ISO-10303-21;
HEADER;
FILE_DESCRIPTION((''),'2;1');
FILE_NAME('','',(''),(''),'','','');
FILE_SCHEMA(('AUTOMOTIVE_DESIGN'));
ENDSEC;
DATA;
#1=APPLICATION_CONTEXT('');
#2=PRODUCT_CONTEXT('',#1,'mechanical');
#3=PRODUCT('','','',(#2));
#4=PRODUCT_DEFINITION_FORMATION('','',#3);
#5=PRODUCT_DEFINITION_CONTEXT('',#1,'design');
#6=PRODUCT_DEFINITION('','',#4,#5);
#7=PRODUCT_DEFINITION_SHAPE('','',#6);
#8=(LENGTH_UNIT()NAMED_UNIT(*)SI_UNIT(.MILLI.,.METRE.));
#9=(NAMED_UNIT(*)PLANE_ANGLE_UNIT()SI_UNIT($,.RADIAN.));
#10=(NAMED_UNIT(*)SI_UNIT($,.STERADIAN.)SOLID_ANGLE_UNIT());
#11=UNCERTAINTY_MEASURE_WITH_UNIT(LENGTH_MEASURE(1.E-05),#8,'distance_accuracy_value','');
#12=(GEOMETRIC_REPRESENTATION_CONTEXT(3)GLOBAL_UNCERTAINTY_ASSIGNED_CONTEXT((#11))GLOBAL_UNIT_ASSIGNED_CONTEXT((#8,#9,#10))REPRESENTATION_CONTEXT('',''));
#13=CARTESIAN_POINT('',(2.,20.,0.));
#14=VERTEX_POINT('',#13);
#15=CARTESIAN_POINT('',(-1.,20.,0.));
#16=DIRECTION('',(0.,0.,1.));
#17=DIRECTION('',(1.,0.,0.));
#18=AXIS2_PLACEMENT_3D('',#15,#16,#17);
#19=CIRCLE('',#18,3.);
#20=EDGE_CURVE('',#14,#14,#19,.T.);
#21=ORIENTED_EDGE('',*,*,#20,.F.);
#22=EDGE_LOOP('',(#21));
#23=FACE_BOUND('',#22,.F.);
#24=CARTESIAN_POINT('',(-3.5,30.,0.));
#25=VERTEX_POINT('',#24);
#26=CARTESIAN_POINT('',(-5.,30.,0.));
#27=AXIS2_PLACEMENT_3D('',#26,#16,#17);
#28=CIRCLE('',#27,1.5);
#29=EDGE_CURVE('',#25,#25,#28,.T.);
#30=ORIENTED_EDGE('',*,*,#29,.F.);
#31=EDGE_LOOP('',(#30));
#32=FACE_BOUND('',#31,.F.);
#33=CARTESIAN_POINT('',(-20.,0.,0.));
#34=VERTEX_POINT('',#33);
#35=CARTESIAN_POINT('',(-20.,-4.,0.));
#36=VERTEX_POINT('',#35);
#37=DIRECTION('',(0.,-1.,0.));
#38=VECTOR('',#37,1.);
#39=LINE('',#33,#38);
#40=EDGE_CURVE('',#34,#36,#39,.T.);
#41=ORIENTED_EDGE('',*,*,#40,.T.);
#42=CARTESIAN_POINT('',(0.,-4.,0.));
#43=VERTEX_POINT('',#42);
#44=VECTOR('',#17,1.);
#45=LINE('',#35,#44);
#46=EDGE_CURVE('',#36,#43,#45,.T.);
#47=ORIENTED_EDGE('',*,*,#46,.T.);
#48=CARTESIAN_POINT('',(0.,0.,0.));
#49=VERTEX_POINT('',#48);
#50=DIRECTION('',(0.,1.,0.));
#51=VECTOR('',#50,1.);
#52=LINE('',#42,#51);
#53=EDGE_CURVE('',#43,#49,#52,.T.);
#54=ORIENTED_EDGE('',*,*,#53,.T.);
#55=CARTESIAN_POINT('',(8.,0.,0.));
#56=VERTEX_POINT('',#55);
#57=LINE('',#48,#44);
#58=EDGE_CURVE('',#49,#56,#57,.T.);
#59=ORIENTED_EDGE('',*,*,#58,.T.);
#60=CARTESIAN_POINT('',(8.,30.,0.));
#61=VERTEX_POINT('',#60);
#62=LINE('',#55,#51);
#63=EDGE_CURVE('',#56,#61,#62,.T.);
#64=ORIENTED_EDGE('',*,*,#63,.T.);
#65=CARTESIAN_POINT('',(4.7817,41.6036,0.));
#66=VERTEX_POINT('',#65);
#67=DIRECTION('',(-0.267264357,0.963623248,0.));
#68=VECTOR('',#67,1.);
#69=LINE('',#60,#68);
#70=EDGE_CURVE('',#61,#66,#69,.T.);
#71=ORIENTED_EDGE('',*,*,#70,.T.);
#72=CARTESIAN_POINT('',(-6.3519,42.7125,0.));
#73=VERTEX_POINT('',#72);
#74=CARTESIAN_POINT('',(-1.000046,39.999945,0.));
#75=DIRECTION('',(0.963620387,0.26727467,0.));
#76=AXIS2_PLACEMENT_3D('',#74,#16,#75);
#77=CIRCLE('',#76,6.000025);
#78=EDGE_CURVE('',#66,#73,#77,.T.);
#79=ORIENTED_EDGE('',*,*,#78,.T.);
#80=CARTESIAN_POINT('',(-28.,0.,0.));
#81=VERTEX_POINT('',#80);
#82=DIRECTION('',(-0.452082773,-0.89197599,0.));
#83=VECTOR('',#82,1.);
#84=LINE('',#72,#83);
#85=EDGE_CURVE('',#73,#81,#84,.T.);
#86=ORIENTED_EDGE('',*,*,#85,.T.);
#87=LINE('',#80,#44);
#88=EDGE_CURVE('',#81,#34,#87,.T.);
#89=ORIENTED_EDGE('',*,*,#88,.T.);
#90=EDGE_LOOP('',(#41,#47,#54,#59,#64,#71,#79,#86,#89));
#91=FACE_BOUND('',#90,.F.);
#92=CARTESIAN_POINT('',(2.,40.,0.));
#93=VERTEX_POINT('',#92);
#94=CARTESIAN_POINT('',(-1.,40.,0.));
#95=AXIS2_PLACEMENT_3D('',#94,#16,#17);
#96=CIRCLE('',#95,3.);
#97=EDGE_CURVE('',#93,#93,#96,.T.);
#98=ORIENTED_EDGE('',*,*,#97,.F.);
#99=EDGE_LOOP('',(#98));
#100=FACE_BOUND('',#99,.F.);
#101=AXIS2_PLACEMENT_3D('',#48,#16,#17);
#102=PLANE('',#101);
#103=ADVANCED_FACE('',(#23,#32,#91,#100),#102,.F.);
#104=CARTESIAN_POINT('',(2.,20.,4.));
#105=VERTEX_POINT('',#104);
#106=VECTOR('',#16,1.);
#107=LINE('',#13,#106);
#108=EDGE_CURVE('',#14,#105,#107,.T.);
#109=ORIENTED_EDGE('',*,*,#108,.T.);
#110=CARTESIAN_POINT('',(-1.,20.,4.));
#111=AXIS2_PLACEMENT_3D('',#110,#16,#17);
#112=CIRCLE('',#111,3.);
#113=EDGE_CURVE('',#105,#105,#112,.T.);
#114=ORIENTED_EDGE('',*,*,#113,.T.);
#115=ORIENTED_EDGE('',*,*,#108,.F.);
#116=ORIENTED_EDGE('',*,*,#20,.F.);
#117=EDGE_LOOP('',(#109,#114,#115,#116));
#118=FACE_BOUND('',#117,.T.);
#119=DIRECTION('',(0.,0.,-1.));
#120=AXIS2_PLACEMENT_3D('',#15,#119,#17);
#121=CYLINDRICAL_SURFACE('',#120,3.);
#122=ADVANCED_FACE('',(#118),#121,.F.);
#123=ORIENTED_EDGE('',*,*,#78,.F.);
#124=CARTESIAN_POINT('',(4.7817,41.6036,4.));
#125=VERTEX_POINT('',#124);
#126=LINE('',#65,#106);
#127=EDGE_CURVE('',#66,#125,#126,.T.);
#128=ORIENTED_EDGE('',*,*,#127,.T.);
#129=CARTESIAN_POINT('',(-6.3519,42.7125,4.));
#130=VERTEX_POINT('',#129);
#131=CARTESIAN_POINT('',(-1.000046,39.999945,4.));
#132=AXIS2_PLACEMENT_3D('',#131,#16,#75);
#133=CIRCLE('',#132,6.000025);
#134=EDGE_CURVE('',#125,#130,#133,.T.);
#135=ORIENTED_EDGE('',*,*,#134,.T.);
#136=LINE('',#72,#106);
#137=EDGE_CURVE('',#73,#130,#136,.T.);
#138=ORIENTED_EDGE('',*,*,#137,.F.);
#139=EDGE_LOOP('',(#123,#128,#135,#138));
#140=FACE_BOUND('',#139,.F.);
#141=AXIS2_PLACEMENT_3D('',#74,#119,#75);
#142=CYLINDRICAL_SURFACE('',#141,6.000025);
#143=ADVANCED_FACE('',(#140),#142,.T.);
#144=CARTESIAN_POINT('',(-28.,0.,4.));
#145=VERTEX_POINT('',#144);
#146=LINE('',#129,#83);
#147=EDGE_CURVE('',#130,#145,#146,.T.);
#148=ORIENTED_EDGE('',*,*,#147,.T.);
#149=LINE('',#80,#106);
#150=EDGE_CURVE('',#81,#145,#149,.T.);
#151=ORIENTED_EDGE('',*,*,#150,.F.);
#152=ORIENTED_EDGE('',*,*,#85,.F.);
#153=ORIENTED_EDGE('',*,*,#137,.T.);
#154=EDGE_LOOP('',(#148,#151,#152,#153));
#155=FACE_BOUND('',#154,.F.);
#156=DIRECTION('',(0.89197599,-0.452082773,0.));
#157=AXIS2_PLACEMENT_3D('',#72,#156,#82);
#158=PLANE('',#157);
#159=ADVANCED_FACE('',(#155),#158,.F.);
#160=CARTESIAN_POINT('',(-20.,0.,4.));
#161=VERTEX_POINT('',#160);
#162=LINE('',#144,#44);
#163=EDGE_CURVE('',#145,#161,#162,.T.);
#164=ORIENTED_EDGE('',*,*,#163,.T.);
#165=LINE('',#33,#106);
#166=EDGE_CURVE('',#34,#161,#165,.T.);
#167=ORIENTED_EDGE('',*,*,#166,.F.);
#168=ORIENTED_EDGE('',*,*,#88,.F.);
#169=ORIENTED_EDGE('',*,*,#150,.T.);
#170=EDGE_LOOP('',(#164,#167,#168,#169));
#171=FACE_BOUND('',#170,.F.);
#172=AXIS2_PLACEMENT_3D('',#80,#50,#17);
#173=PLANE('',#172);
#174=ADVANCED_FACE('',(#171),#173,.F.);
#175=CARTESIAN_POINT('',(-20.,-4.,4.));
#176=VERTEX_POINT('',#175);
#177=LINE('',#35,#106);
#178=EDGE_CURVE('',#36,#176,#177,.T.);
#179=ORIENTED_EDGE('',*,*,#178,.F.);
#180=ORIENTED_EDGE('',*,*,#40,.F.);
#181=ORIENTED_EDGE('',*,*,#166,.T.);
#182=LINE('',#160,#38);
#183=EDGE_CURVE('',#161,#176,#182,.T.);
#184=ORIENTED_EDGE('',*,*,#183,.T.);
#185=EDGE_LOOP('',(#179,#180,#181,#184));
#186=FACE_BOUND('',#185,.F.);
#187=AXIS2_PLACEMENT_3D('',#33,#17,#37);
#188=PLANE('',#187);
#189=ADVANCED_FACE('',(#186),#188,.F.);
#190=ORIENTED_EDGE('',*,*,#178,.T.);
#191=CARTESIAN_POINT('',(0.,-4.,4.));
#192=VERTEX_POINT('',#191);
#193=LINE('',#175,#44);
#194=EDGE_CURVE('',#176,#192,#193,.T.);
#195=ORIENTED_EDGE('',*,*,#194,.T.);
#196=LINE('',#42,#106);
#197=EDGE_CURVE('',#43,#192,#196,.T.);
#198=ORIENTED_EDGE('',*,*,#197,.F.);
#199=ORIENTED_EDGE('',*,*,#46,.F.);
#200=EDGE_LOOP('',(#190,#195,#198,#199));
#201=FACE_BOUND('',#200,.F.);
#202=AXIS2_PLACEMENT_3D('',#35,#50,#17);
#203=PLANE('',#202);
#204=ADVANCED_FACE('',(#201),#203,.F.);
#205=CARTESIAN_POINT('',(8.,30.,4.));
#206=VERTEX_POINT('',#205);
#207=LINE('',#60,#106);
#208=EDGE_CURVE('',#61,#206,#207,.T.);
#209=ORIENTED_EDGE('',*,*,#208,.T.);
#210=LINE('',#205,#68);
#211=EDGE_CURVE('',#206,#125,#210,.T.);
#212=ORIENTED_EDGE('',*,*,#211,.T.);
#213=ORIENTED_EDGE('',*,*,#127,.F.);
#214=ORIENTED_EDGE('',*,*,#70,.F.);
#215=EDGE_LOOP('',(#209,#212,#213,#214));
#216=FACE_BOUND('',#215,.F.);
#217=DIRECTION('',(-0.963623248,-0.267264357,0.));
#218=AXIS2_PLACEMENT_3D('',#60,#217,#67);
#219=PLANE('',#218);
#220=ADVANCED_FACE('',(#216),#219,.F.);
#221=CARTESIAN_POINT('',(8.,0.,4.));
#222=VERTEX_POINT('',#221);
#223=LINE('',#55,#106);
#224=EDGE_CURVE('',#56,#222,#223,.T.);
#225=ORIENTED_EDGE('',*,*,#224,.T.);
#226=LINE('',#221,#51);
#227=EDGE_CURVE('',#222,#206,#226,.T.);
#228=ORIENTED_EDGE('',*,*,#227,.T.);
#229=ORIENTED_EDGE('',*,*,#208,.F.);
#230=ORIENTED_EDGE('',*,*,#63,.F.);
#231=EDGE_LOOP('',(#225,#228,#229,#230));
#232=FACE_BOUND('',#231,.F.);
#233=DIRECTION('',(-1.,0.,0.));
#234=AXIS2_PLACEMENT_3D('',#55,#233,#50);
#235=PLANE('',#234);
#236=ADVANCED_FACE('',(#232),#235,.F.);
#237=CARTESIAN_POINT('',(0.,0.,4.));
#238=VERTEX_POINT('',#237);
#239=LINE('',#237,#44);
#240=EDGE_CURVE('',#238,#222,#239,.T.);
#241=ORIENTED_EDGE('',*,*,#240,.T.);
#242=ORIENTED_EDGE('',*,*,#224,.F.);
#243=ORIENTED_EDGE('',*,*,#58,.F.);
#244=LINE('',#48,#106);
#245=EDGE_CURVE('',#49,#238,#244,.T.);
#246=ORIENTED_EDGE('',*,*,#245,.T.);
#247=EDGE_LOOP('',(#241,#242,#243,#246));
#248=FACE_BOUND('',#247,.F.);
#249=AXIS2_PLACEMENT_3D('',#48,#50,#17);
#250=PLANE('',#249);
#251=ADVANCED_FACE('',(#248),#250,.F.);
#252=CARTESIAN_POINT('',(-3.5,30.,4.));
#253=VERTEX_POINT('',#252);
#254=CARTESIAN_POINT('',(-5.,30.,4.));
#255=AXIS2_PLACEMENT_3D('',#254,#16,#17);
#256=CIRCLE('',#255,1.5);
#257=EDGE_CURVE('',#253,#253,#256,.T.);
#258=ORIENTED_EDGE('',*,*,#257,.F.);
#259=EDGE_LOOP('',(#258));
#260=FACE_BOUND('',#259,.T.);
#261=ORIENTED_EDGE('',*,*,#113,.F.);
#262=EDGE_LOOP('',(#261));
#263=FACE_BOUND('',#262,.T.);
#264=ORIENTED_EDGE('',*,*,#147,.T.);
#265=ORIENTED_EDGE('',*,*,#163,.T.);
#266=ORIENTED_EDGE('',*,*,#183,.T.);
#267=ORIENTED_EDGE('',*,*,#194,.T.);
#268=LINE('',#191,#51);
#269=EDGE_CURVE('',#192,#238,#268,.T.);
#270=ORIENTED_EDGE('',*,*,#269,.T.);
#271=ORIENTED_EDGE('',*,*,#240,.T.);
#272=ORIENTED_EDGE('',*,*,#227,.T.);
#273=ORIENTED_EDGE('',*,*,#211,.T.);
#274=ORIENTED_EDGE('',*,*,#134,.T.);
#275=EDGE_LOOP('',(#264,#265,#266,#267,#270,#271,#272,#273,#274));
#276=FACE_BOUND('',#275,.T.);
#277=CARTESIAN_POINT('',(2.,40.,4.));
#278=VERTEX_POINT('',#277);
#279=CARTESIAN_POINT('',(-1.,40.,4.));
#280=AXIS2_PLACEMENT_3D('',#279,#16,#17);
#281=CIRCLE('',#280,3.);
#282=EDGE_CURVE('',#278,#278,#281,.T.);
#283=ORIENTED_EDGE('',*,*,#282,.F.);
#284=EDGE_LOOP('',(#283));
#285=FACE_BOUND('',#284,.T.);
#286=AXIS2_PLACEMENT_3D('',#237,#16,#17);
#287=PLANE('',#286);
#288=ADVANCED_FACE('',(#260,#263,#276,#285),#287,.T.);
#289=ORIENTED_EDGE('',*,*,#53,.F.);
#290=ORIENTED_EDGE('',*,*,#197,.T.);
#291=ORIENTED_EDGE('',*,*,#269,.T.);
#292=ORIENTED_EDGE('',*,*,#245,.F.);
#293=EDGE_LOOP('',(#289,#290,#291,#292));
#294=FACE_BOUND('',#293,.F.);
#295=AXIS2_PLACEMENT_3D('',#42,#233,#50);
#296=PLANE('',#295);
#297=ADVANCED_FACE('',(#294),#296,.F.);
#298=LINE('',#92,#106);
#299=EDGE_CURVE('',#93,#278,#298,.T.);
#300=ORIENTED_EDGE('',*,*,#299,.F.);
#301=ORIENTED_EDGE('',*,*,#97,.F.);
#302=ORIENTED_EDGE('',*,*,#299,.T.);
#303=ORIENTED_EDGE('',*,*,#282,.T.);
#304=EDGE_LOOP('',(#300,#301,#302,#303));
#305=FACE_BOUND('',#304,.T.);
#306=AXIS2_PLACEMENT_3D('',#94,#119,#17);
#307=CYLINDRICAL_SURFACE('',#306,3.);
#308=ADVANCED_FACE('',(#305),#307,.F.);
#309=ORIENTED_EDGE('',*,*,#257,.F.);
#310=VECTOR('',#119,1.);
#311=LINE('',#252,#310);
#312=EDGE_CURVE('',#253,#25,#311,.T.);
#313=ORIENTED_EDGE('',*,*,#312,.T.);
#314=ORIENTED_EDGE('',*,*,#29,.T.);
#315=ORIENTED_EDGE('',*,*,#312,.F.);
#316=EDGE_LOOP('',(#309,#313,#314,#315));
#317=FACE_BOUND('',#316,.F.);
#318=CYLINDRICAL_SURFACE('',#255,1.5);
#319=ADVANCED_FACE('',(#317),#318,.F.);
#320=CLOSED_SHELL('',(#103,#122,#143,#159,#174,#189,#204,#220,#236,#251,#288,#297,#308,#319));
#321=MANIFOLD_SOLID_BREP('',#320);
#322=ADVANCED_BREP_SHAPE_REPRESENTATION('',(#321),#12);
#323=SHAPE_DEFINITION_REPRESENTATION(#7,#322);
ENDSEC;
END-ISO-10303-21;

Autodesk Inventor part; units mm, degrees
ref_plane "YZ Plane" through (0, 0, 0) normal (1, 0, 0) x (0, 1, 0)
ref_plane "XZ Plane" through (0, 0, 0) normal (0, 1, 0) x (-1, 0, 0)
ref_plane "XY Plane" through (0, 0, 0) normal (0, 0, 1) x (1, 0, 0)
sketch "Эскиз1" plane through (0, 0, 0) normal (0, 0, 1) x (1, 0, 0)
  line L0 (-20, 0) -> (-20, -4)
  line L1 (-20, -4) -> (0, -4)
  line L2 (0, -4) -> (0, 0)
  line L3 (0, 0) -> (8, 0)
  arc A0 (4.7817, 41.6036) -> (-6.3519, 42.7125) centre (-1, 40) ccw
  line L4 (-6.3519, 42.7125) -> (-28, 0)
  line L5 (-28, 0) -> (-20, 0)
  circle A1 centre (-1, 40) radius 3
  circle A2 centre (-1, 20) radius 3
  line L6 (8, 0) -> (8, 30)
  line L7 (8, 30) -> (4.7817, 41.6036)
  dimension "d0" = 6
  dimension "d1" = 40
  dimension "d2" = 20
  dimension "d3" = 4
  dimension "d4" = 20
  dimension "d5" = 6
  dimension "d14" = 1
  dimension "d15" = 30
  dimension "d16" = 36
extrude "Выдавливание1" add sketch "Эскиз1" along normal blind 4
sketch "Эскиз2" plane through (0, 0, 4) normal (0, 0, 1) x (1, 0, 0)
  circle A0 centre (-5, 30) radius 1.5
  line L0 (0, 0) -> (8, 0) projected
  line L1 (8, 0) -> (8, 30) projected
  dimension "d9" = 3
  dimension "d10" = 30
  dimension "d17" = 13
extrude "Выдавливание2" cut sketch "Эскиз2" against normal through all
properties part number "HolderSFC6" material "Дерево (вишня)"
